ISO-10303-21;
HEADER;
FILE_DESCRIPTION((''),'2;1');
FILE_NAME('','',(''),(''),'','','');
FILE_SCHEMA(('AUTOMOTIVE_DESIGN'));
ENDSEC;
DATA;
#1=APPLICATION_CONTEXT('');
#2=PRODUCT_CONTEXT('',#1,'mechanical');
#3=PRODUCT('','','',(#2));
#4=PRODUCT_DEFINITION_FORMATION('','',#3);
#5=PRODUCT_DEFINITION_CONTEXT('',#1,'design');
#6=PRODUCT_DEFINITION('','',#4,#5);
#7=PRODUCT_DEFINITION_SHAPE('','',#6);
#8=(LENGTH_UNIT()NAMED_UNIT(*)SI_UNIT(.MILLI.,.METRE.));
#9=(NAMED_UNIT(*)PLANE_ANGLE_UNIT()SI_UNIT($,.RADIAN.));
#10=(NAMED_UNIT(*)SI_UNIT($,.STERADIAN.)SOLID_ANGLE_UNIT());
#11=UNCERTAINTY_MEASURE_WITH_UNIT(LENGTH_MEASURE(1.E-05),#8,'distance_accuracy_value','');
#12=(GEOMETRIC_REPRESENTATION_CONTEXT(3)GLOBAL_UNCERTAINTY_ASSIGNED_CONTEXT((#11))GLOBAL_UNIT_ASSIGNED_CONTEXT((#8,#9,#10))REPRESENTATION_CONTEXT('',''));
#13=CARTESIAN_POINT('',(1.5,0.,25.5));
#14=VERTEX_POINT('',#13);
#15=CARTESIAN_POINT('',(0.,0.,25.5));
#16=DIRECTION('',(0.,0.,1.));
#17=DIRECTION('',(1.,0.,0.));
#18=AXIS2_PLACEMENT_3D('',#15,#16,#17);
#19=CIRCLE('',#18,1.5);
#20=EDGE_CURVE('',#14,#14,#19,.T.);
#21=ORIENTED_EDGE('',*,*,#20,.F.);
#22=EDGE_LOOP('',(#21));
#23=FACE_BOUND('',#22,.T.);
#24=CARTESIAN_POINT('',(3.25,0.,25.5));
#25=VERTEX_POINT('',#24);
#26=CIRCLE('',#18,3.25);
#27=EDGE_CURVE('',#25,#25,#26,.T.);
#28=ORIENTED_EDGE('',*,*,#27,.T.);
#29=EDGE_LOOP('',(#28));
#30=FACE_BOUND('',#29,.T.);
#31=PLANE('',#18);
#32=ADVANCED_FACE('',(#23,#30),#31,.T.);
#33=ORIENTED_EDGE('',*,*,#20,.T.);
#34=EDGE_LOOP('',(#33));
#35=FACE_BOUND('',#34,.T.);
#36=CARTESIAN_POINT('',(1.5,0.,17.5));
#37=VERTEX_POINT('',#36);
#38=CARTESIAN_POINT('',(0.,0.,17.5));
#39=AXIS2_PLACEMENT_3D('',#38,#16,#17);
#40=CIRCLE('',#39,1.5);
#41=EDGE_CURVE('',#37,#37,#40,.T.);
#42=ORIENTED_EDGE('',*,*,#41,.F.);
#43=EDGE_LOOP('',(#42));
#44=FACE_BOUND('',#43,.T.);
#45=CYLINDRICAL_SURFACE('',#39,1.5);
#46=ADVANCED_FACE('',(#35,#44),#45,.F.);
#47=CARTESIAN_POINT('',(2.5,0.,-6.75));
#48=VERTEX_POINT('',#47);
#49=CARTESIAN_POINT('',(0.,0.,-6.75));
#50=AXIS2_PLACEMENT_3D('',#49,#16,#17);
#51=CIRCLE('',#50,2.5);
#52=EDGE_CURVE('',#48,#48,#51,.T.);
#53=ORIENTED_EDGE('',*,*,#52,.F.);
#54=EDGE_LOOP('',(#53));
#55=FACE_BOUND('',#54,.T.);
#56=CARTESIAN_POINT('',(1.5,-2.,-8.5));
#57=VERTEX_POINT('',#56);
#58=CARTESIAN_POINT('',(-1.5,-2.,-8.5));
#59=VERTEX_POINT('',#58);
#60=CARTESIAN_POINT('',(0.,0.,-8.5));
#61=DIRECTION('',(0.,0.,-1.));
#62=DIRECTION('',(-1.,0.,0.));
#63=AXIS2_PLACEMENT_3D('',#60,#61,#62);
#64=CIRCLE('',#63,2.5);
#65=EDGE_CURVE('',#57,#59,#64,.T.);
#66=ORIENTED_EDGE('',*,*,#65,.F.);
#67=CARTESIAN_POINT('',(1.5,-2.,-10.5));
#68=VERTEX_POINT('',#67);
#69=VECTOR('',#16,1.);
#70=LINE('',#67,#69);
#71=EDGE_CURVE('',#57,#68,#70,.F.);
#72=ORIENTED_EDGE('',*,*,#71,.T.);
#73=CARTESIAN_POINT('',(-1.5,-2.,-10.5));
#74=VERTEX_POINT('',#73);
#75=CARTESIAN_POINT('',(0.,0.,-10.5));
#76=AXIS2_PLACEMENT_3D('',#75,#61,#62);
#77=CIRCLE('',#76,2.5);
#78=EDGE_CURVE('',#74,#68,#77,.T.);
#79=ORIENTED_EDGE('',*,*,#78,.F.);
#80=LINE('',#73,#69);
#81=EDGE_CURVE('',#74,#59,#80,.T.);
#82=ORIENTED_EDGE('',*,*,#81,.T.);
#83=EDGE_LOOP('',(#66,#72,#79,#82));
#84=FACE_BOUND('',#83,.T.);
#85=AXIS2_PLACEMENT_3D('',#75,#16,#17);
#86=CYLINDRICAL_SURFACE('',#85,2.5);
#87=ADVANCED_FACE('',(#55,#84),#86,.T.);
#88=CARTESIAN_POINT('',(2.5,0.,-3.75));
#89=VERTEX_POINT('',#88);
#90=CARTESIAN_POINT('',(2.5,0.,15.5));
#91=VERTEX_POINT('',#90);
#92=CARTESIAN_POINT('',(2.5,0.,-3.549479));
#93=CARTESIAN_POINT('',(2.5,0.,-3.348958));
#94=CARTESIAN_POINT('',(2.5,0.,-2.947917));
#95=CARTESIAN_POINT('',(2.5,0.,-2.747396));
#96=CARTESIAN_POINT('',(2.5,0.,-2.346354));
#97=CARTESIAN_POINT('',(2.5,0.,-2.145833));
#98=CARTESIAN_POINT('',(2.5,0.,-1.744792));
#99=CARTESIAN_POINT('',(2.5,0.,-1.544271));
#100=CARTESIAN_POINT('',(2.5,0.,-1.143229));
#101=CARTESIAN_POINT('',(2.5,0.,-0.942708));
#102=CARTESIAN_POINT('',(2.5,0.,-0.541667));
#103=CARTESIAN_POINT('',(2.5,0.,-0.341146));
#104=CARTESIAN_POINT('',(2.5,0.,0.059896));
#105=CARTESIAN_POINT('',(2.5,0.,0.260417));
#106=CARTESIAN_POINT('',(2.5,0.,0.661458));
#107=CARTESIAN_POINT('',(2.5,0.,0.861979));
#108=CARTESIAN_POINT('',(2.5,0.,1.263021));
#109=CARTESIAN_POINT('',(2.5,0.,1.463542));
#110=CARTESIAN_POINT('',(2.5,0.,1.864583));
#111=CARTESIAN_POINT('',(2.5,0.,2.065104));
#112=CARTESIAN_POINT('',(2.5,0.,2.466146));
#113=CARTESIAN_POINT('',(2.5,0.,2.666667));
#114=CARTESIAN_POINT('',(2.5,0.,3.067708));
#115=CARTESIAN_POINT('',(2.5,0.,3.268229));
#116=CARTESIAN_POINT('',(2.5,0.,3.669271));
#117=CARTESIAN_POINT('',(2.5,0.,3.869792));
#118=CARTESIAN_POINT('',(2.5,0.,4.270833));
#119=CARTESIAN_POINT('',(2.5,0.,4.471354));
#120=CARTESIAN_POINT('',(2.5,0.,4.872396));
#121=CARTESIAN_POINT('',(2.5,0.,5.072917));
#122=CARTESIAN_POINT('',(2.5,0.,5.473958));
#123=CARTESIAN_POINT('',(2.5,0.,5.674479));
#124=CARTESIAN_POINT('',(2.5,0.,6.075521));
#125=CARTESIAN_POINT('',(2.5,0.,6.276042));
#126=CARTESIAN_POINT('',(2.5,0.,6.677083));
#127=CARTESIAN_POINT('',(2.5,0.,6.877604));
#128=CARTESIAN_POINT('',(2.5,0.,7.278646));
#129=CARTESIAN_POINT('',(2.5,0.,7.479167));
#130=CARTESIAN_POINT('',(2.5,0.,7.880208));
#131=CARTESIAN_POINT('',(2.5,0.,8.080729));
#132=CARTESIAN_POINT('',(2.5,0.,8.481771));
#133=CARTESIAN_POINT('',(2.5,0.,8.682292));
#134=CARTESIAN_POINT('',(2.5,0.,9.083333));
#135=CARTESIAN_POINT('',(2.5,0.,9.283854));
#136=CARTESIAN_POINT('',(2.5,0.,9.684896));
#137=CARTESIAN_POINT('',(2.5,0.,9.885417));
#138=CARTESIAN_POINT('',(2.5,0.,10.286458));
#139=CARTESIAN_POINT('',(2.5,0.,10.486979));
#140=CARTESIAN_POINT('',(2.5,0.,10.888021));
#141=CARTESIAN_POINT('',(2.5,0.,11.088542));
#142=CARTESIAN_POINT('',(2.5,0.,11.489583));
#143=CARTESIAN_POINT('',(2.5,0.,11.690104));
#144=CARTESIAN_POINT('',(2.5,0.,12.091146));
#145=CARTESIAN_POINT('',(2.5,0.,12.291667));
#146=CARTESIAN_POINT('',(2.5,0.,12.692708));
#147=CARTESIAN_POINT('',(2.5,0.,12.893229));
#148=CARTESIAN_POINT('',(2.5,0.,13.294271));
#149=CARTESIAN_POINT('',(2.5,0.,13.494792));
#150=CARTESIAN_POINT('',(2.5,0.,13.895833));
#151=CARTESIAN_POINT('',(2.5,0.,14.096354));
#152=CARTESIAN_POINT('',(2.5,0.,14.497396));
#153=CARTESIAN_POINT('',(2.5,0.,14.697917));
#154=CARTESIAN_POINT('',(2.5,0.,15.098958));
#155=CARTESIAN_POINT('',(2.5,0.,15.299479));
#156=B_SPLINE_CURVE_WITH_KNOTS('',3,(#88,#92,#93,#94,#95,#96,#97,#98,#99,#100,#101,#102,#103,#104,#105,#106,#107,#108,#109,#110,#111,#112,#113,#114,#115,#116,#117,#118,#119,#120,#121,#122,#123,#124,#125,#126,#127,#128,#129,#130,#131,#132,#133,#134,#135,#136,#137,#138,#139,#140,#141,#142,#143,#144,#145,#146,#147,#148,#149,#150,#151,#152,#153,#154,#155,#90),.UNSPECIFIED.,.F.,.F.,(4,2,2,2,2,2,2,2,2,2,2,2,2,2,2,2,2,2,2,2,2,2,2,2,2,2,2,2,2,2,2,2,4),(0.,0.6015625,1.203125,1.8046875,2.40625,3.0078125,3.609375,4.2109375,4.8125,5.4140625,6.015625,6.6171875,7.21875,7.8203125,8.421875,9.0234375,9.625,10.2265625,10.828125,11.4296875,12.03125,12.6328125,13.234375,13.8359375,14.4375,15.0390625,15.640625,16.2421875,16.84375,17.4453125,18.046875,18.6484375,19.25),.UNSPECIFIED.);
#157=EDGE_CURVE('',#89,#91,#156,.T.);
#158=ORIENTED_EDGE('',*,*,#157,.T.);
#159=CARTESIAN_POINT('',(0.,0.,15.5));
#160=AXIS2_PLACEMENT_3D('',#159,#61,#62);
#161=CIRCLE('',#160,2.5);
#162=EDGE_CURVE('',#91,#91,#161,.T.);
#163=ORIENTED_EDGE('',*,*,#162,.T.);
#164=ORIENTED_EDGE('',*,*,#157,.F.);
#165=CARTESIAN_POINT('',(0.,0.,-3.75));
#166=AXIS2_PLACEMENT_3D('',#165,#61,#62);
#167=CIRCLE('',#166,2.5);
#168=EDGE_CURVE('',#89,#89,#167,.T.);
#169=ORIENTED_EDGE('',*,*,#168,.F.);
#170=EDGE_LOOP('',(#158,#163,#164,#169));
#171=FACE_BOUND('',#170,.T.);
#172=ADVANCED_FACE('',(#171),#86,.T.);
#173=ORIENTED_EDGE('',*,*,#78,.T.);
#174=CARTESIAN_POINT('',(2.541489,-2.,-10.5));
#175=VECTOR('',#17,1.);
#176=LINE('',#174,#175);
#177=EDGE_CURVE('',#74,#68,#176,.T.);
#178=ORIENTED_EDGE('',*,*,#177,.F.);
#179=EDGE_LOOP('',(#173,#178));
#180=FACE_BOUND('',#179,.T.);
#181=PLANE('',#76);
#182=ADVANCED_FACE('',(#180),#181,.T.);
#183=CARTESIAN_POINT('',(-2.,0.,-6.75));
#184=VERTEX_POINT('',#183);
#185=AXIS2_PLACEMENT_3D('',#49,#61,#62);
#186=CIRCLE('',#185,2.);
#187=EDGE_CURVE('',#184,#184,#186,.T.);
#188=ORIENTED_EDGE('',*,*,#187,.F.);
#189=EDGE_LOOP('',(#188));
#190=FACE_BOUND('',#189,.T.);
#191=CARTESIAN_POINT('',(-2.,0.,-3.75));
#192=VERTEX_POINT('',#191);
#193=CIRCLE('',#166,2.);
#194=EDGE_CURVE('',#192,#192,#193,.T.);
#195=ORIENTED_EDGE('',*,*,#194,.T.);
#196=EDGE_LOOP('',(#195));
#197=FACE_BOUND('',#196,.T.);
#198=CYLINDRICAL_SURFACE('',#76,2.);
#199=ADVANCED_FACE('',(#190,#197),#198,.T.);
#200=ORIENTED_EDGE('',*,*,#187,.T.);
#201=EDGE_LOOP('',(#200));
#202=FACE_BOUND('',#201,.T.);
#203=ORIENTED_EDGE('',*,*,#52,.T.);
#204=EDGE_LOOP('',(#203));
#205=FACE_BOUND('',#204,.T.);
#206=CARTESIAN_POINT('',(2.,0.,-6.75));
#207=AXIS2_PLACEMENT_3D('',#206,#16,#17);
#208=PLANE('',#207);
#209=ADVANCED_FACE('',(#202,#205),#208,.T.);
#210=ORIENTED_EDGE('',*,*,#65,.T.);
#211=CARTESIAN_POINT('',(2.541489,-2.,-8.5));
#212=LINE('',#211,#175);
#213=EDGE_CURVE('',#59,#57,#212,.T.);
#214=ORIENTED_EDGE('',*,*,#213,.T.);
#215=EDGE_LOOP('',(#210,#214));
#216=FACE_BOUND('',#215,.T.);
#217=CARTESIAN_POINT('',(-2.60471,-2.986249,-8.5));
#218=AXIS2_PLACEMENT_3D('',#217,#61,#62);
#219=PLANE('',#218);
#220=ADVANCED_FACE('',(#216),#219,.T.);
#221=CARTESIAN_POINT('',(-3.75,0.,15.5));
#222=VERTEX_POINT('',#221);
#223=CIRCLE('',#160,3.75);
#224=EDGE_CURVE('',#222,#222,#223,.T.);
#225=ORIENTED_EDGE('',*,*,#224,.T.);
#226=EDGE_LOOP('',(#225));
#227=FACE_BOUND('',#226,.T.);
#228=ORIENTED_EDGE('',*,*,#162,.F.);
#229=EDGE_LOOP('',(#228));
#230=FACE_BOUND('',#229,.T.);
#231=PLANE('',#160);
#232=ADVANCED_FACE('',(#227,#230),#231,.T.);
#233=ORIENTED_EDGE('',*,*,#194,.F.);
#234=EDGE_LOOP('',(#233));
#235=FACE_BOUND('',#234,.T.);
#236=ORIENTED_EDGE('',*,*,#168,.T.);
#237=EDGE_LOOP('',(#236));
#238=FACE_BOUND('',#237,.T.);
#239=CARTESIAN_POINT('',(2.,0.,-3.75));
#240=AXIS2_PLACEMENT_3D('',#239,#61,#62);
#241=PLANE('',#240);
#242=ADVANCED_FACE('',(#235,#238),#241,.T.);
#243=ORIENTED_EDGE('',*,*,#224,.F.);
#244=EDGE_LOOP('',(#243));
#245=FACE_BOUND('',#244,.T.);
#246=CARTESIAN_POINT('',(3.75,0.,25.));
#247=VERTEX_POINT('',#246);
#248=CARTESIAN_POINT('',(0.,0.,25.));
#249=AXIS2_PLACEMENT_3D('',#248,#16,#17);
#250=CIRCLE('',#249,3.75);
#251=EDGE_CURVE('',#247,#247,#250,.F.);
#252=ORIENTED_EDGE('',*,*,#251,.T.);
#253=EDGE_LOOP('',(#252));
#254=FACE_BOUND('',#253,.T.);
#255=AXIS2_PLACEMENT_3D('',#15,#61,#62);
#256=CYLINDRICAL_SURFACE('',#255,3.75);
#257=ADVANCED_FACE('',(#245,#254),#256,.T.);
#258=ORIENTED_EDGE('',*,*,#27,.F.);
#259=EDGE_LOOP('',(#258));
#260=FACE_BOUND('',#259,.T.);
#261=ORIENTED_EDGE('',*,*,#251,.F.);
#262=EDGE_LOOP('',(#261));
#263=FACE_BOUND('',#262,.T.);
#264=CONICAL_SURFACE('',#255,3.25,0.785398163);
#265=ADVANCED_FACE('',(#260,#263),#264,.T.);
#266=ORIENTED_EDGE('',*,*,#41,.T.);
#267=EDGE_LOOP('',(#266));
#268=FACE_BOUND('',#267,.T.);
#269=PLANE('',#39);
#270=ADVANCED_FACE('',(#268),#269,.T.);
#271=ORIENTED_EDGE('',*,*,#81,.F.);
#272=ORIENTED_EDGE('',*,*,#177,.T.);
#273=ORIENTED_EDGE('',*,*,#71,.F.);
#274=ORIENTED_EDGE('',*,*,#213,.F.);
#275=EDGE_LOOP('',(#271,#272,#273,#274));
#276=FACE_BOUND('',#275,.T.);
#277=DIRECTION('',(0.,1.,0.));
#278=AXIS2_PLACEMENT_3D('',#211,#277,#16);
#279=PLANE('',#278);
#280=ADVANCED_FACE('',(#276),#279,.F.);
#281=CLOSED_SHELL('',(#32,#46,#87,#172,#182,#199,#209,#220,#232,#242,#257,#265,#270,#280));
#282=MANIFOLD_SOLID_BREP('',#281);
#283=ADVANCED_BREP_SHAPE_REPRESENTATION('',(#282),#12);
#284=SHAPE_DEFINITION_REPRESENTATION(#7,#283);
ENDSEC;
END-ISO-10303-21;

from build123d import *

# Parameters (mm, degrees)
ESQUISSE1_R             = 3.75
EXTRUSION1_DEPTH        = 25.5
ESQUISSE2_R             = 2.5
EXTRUSION2_DEPTH        = 10.5
ESQUISSE3_R             = 1.5
ENL_V_MAT_EXTRU_1_DEPTH = 8
ESQUISSE5_W             = 3.097754454
ESQUISSE5_H             = 3
ESQUISSE6_W             = 5.14619883
ESQUISSE6_H             = 0.986249407
ENL_V_MAT_EXTRU_3_DEPTH = 2
ESQUISSE8_OUTSIDE_W     = 17.006
ESQUISSE8_OUTSIDE_H     = 17.006
ESQUISSE8_OUTSIDE_R     = 2.5
EXTRUSION5_DEPTH        = 15.5
CHANFREIN1_SIZE         = 0.5


with BuildPart() as part:
    # Esquisse1 → Extrusion1 (new body)
    with BuildSketch(Plane.XY):
        Circle(ESQUISSE1_R)
    extrude(amount=EXTRUSION1_DEPTH)

    # Esquisse2 → Extrusion2 (add)
    with BuildSketch(Plane(origin=(0, 0, 0), x_dir=(-1, 0, 0), z_dir=(0, 0, -1))):
        with Locations(Location((0, 0, 0), (0, 0, 180))):
            Circle(ESQUISSE2_R)
    extrude(amount=EXTRUSION2_DEPTH)

    # Esquisse3 → Enlèv. mat.-Extru.1 (cut)
    with BuildSketch(Plane.XY.offset(25.5)):
        Circle(ESQUISSE3_R)
    extrude(amount=-ENL_V_MAT_EXTRU_1_DEPTH, mode=Mode.SUBTRACT)

    # Esquisse5 → Enlèvement de matière-Révolution1 (revolve, cut)
    with BuildSketch(Plane(origin=(0, 0, 0), x_dir=(1, 0, 0), z_dir=(0, 1, 0))):
        with Locations((3.548877227, 5.25)):
            Rectangle(ESQUISSE5_W, ESQUISSE5_H)
    revolve(axis=Axis((0, 0, -10.5), (0, 0, 1)), mode=Mode.SUBTRACT)

    # Esquisse6 → Enlèv. mat.-Extru.3 (cut)
    with BuildSketch(Plane(origin=(0, 0, -10.5), x_dir=(-1, 0, 0), z_dir=(0, 0, -1))):
        with Locations((0.031610558, -2.493124704)):
            Rectangle(ESQUISSE6_W, ESQUISSE6_H)
    extrude(amount=-ENL_V_MAT_EXTRU_3_DEPTH, mode=Mode.SUBTRACT)

    # Esquisse8 outside → Extrusion5 (cut)
    with BuildSketch(Plane(origin=(0, 0, 0), x_dir=(-1, 0, 0), z_dir=(0, 0, -1))):
        Rectangle(ESQUISSE8_OUTSIDE_W, ESQUISSE8_OUTSIDE_H)
        with Locations(Location((0, 0, 0), (0, 0, 180))):
            Circle(ESQUISSE8_OUTSIDE_R, mode=Mode.SUBTRACT)
    extrude(amount=-EXTRUSION5_DEPTH, mode=Mode.SUBTRACT)

    # Chanfrein1
    chanfrein1_edges = [part.edges().sort_by_distance(p)[0] for p in [
        (-3.75, 0, 25.5),
    ]]
    chamfer(chanfrein1_edges, length=CHANFREIN1_SIZE)


solid = part.part
